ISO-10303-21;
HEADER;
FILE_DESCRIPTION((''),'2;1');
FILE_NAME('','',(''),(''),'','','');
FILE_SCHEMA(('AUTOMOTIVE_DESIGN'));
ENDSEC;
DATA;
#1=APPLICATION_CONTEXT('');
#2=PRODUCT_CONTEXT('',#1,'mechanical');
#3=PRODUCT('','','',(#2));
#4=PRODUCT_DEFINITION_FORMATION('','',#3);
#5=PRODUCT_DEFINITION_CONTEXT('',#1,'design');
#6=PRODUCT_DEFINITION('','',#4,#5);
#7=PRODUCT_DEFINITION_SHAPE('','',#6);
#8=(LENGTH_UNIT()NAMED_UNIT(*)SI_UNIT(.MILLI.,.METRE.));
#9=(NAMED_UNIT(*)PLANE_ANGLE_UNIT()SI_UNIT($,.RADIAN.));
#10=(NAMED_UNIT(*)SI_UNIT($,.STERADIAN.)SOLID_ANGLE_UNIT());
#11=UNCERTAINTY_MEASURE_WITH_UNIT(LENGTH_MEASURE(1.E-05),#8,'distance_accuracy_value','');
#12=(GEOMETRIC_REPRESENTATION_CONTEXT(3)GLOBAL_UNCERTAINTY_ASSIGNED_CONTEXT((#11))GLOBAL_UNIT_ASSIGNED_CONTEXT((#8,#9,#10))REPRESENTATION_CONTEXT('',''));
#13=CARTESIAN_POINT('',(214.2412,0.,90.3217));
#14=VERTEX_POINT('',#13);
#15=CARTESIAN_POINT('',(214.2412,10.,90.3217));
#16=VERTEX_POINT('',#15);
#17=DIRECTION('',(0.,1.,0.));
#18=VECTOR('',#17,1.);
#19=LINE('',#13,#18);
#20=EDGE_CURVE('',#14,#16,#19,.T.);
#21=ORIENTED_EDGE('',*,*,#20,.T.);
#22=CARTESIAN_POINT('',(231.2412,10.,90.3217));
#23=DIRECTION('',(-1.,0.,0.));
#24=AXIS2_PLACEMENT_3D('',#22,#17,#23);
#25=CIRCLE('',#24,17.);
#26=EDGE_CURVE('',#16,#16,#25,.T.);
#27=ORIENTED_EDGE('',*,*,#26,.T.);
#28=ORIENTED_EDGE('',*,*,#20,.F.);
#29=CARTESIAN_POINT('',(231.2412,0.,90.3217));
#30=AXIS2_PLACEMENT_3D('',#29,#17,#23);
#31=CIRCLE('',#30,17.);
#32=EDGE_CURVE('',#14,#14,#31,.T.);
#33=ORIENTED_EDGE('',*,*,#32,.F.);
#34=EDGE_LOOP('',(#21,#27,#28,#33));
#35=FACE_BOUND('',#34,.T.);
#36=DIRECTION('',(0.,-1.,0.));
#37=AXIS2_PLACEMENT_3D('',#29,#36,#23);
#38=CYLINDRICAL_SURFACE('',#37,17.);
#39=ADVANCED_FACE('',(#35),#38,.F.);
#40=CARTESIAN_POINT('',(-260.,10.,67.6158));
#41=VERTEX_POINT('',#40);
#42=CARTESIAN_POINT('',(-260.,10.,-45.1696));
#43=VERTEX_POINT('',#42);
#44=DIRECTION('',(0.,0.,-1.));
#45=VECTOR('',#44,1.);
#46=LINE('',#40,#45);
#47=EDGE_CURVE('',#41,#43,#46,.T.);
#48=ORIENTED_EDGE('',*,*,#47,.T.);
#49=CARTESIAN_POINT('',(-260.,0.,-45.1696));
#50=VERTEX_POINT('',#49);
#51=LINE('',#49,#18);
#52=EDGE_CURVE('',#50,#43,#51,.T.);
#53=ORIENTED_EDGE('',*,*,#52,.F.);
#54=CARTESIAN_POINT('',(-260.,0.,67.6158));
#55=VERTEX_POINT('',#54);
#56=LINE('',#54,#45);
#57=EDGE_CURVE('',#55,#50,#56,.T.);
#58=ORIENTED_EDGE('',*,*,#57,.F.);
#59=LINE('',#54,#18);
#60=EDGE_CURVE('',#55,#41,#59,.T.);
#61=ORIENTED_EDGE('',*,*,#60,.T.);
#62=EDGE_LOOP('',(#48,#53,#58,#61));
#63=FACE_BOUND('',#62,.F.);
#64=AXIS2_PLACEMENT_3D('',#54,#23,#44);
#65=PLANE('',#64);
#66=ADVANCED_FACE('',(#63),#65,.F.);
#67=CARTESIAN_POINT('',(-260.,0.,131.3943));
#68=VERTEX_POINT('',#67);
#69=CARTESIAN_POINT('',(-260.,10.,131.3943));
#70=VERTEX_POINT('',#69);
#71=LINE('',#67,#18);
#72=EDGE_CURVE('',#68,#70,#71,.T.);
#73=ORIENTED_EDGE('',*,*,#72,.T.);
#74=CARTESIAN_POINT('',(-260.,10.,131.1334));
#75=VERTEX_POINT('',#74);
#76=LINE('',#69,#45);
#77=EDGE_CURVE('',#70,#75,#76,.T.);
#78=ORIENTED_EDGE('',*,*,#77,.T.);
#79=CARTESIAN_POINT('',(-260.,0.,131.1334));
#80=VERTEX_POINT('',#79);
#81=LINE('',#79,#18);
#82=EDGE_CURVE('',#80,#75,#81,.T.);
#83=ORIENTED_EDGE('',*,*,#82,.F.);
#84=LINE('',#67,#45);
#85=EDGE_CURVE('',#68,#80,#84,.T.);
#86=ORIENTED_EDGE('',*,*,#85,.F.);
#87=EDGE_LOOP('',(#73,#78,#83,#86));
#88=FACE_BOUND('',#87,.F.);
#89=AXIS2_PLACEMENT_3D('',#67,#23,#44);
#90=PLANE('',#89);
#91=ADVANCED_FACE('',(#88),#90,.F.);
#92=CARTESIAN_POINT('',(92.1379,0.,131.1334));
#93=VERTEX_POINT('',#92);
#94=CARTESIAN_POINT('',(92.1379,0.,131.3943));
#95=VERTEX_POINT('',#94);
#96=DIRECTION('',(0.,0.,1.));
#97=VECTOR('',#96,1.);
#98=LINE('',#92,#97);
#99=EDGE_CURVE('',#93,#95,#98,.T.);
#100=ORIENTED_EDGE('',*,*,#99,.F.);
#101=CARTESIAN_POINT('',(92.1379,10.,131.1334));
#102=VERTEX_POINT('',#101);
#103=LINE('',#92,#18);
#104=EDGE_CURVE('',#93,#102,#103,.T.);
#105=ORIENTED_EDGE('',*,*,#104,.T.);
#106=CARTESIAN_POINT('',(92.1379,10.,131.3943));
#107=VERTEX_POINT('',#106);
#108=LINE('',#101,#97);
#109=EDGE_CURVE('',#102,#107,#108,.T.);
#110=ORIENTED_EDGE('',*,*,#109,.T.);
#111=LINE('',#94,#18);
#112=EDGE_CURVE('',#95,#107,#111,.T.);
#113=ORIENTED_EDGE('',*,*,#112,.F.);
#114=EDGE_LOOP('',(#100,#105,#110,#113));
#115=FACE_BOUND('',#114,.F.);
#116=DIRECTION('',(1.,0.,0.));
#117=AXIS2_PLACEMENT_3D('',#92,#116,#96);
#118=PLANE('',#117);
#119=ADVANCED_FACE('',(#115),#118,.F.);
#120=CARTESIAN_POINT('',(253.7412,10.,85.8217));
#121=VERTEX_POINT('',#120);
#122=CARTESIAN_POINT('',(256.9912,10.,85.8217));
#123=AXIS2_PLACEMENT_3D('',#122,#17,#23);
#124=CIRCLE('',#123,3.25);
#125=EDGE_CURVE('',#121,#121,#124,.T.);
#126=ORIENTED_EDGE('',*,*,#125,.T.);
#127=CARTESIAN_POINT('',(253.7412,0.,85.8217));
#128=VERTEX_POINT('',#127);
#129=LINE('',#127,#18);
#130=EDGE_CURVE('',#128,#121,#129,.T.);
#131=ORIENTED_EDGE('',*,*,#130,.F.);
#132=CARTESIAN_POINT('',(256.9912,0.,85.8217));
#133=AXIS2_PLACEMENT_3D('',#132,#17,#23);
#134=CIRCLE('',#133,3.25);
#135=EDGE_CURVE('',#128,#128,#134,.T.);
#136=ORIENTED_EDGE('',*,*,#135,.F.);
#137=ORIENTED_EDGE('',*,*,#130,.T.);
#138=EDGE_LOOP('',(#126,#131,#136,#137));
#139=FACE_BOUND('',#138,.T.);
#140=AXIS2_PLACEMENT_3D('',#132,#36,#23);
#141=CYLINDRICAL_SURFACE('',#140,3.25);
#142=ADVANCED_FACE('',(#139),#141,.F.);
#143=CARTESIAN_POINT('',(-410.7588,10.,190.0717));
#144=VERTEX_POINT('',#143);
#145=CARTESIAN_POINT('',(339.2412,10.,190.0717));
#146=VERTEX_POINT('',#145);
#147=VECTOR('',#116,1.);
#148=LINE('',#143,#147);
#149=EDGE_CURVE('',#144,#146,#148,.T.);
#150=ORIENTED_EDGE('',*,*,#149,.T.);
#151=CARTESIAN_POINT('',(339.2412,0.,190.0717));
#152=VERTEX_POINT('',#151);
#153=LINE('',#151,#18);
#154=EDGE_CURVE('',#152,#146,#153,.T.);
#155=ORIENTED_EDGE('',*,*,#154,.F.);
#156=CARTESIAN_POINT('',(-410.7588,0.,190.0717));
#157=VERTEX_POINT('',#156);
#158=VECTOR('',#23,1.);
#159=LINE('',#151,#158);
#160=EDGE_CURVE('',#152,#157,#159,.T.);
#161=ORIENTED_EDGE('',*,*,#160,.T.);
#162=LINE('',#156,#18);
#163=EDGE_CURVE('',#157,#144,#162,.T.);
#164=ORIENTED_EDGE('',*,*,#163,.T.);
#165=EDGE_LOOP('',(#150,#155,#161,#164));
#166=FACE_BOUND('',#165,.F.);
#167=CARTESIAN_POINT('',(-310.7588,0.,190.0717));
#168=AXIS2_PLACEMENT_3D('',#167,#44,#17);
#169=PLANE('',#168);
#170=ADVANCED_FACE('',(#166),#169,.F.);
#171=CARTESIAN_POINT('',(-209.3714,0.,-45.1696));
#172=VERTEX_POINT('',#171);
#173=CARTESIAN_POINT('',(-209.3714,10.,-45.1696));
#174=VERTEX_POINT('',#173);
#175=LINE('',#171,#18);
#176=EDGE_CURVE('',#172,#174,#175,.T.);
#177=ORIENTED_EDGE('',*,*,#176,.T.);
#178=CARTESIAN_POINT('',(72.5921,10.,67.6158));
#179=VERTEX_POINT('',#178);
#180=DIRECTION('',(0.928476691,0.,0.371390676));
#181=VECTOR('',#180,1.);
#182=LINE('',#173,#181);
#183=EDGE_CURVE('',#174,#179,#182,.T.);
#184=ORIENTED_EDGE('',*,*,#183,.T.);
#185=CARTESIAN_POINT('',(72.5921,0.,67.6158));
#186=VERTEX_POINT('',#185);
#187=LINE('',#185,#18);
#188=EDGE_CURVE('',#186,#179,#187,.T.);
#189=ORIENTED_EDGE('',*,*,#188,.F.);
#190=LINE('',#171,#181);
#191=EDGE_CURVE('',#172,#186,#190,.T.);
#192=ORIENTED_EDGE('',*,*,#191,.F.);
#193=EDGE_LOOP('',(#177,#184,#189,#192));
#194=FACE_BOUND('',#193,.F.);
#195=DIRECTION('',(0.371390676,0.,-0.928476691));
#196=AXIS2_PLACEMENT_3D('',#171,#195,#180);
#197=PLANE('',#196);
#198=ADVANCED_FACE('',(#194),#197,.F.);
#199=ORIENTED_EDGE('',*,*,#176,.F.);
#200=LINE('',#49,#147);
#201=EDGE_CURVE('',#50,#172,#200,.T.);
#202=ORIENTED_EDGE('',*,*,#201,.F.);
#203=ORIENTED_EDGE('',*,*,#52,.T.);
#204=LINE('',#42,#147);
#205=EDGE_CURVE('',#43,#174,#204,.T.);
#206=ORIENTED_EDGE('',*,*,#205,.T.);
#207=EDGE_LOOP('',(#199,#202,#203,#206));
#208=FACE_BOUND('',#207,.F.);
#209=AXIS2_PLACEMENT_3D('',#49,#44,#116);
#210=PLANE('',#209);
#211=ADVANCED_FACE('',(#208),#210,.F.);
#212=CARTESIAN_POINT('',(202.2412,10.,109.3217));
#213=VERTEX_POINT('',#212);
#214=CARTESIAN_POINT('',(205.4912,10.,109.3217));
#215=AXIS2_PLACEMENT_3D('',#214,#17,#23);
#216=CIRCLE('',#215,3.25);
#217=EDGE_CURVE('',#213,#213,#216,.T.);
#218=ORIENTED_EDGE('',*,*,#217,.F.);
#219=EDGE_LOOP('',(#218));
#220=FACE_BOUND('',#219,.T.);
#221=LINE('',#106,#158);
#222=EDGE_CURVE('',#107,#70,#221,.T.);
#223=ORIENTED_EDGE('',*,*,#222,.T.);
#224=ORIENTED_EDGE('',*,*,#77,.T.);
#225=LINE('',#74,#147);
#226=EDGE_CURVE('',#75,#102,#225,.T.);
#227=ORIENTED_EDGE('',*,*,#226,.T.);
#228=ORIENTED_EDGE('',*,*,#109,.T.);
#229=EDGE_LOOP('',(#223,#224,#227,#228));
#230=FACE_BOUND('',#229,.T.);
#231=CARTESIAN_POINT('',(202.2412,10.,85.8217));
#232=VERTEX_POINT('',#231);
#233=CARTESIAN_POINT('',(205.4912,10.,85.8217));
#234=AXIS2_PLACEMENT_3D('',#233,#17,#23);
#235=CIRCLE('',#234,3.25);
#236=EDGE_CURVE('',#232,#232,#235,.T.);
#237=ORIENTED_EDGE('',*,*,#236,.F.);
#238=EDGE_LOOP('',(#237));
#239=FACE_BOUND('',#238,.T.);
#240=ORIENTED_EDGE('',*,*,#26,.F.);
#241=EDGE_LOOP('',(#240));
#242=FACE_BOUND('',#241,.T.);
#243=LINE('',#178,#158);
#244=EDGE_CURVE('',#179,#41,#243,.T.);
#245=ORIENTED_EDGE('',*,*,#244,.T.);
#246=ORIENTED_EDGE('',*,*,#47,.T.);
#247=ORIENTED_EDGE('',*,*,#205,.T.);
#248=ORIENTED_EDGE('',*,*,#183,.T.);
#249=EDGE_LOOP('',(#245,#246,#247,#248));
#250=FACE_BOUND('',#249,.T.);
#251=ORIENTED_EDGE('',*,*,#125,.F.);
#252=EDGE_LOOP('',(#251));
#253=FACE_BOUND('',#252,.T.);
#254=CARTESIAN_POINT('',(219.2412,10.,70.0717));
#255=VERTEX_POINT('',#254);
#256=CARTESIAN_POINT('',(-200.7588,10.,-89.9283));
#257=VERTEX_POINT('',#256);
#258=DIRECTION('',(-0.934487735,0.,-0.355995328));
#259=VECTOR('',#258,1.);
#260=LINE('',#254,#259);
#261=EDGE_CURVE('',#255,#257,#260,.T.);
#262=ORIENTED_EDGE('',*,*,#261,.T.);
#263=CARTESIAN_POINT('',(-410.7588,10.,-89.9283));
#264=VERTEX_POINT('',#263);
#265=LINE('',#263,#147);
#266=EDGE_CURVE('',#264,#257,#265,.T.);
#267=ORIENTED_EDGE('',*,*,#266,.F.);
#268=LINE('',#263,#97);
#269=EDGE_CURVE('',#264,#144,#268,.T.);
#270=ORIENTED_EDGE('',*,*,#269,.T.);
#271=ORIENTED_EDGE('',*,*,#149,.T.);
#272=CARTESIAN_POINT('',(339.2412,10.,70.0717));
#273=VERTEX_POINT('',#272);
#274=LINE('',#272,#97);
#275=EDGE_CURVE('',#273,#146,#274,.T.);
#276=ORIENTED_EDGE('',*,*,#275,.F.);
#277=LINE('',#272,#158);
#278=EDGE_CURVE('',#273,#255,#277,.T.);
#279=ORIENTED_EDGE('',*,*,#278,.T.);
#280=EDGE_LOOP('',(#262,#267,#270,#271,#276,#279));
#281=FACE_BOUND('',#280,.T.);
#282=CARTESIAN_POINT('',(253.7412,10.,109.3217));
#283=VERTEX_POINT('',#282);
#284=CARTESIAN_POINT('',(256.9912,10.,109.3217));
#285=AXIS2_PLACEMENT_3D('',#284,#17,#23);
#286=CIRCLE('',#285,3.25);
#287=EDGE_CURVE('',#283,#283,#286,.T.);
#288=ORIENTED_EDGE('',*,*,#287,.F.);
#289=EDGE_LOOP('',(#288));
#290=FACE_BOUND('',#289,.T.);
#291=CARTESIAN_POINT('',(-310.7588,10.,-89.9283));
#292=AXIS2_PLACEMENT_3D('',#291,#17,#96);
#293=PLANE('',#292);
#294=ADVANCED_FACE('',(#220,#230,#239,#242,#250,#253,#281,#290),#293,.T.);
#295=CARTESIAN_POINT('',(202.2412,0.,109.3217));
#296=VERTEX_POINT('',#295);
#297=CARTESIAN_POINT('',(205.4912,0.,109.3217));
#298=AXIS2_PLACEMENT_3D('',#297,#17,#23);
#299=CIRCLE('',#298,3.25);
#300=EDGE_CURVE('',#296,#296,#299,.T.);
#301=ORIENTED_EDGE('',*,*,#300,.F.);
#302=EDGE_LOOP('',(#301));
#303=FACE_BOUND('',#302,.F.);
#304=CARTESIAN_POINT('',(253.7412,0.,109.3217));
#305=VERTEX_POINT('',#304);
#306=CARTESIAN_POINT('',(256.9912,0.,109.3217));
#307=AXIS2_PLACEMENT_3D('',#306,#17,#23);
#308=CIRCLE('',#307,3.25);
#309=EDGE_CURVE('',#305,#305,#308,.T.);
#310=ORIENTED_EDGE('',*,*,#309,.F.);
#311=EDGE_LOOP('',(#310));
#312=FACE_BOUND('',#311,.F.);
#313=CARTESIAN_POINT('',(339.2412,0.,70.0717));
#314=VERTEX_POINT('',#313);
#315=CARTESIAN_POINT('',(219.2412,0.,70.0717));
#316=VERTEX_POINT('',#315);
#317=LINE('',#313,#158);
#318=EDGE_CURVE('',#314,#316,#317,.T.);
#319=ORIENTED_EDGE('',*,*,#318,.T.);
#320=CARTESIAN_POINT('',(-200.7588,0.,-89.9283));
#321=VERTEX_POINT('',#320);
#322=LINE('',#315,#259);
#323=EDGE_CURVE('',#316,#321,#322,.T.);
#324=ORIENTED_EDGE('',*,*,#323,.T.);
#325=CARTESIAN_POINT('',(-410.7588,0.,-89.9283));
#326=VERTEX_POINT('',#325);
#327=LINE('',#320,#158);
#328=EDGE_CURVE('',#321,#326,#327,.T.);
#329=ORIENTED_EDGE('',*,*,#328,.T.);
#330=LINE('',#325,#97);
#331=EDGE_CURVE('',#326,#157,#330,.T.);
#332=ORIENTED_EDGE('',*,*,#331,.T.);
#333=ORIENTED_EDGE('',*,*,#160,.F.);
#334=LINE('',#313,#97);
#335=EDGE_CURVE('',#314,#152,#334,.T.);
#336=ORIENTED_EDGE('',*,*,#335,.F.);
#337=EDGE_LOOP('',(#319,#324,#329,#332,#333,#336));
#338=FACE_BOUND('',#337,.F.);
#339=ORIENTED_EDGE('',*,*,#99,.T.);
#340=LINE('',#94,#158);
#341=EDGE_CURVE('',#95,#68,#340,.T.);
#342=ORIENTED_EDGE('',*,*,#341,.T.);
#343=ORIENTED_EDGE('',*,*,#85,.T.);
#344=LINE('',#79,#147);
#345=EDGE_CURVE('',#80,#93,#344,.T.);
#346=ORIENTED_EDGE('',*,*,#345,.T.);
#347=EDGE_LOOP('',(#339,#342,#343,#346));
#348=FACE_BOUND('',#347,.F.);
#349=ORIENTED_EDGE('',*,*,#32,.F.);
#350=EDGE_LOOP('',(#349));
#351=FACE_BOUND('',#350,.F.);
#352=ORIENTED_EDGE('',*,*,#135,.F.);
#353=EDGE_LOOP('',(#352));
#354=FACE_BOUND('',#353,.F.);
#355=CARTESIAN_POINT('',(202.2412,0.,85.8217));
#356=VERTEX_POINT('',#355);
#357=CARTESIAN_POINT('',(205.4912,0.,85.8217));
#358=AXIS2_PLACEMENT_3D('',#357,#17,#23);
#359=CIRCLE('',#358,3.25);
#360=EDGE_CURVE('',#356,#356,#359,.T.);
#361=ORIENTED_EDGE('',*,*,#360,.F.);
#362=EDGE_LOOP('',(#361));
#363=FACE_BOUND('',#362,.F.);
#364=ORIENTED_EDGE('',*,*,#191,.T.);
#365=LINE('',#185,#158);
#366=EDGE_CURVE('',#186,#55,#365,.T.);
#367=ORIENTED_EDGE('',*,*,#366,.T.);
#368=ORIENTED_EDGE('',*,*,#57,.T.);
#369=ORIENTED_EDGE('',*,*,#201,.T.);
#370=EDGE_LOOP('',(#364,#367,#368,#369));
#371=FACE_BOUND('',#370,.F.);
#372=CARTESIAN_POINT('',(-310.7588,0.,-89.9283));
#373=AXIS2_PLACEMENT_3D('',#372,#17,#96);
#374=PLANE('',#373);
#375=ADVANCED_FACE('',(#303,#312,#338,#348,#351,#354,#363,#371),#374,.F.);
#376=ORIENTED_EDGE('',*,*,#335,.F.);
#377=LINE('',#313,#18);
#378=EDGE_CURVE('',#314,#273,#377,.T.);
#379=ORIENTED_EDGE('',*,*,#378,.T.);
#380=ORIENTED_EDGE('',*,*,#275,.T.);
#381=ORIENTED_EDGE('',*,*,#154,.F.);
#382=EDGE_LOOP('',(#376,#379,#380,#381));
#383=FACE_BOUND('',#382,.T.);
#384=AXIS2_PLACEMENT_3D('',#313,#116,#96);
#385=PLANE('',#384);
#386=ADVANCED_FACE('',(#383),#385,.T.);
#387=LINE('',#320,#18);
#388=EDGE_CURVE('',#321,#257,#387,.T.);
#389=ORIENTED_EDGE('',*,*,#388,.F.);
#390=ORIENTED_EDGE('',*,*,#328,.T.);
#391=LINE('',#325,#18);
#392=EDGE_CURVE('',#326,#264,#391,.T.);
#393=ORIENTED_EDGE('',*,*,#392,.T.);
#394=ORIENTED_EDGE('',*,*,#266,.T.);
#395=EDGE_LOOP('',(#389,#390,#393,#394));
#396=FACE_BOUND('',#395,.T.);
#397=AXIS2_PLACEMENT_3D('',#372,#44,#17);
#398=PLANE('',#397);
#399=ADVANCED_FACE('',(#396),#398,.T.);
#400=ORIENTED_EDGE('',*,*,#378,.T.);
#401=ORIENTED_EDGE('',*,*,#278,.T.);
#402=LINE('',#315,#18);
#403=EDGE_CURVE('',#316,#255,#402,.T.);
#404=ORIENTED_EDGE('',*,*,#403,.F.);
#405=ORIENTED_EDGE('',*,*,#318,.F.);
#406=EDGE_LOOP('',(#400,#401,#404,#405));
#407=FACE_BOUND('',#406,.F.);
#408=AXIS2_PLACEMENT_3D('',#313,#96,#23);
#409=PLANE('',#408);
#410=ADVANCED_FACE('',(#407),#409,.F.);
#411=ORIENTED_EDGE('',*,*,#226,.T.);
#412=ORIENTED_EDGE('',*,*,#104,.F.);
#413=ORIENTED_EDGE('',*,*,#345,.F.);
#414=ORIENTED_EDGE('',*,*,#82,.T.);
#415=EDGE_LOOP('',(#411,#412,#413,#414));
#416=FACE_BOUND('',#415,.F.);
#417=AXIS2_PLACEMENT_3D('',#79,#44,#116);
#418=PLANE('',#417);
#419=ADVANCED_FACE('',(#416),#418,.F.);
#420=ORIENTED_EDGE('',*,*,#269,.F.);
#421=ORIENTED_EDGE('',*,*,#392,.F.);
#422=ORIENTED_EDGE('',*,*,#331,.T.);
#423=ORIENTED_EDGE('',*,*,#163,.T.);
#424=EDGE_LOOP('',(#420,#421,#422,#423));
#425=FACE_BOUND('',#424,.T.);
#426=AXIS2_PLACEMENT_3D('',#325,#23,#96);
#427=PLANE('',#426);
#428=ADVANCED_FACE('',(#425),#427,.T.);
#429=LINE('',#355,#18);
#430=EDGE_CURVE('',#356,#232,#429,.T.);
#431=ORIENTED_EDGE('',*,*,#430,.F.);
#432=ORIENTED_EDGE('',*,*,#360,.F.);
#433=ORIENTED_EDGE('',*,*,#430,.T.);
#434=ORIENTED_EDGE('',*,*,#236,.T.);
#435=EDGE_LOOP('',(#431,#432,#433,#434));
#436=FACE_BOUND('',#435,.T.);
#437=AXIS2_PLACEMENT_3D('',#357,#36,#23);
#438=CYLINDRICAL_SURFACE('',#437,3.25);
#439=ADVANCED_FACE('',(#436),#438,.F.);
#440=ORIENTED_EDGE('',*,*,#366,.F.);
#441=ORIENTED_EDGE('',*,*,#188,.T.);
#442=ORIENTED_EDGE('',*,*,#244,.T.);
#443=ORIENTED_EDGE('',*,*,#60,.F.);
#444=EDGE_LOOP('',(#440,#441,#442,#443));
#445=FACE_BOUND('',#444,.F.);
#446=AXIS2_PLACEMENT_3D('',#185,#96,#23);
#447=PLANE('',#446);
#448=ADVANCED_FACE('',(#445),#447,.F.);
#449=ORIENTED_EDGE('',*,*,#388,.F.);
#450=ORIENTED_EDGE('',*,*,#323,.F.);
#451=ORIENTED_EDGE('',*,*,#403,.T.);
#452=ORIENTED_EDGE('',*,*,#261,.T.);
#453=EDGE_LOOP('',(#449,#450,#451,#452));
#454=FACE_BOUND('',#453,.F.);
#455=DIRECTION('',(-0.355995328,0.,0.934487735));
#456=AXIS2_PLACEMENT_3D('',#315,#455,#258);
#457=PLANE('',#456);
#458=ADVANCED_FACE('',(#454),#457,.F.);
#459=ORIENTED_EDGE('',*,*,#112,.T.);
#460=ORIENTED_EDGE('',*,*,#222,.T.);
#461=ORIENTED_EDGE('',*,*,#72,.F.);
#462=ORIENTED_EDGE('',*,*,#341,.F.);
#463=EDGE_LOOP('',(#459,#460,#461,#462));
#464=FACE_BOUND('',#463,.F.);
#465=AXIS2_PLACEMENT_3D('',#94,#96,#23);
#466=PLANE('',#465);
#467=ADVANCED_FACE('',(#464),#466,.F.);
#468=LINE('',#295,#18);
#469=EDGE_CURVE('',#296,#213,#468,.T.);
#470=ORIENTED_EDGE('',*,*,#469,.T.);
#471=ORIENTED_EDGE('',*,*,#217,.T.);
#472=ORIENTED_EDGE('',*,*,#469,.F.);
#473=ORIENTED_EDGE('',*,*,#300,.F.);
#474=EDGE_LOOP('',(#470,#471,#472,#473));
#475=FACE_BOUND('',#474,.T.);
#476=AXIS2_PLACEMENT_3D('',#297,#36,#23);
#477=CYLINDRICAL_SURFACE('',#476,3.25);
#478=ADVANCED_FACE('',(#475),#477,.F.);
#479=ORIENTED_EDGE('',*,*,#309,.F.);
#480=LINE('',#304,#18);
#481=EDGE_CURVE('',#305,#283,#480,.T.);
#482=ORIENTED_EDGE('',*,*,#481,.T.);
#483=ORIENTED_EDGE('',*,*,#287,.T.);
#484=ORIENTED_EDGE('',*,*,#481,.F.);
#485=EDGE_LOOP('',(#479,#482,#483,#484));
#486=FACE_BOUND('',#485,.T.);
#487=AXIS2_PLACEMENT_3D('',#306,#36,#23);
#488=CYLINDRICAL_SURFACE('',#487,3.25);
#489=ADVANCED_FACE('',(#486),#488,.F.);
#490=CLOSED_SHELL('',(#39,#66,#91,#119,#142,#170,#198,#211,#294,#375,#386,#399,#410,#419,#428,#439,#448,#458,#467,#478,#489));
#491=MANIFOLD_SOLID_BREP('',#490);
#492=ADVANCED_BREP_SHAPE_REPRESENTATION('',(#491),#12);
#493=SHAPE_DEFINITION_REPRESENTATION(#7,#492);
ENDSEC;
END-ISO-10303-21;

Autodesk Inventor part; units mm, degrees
ref_plane "YZ Plane" through (0, 0, 0) normal (1, 0, 0) x (0, 1, 0)
ref_plane "XZ Plane" through (0, 0, 0) normal (0, 1, 0) x (-1, 0, 0)
ref_plane "XY Plane" through (0, 0, 0) normal (0, 0, 1) x (1, 0, 0)
sketch "Sketch3" plane through (0, 0, 0) normal (0, 1, 0) x (-1, 0, 0)
  line L0 (-219.2412, 70.0717) -> (200.7588, -89.9283)
  line L1 (205.7588, -63.9283) -> (-110.8967, 62.7339)
  line L2 (200.7588, -89.9283) -> (310.7588, -89.9283)
  line L3 (278.7588, -63.9283) -> (205.7588, -63.9283)
  line L4 (278.7588, 86.3746) -> (278.7588, -63.9283)
  line L5 (310.7588, -89.9283) -> (310.7588, 190.0717)
  line L6 (-110.8967, 86.3746) -> (278.7588, 86.3746)
  line L7 (278.7588, 112.3746) -> (-110.8967, 112.3746)
  line L8 (-110.8967, 150.1531) -> (278.7588, 150.1531)
  line L9 (278.7588, 150.1531) -> (278.7588, 112.3746)
  line L10 (-339.2412, 190.0717) -> (310.7588, 190.0717)
  line L11 (-110.8967, 112.3746) -> (-110.8967, 150.1531)
  line L12 (-339.2412, 70.0717) -> (-219.2412, 70.0717)
  line L13 (-339.2412, 70.0717) -> (-339.2412, 190.0717)
  circle A0 centre (-256.9912, 109.3217) radius 3.25
  circle A1 centre (-256.9912, 85.8217) radius 3.25
  circle A2 centre (-231.2412, 90.3217) radius 17
  circle A3 centre (-205.4912, 85.8217) radius 3.25
  circle A4 centre (-205.4912, 109.3217) radius 3.25
  line L14 (-110.8967, 86.3746) -> (-110.8967, 62.7339)
  line L15 (260, -45.1696) -> (209.3714, -45.1696)
  line L16 (209.3714, -45.1696) -> (-72.5921, 67.6158)
  line L17 (-72.5921, 67.6158) -> (260, 67.6158)
  line L18 (260, 67.6158) -> (260, -45.1696)
  line L19 (260, 131.1334) -> (-92.1379, 131.1334)
  line L20 (-92.1379, 131.1334) -> (-92.1379, 131.3943)
  line L21 (-92.1379, 131.3943) -> (260, 131.3943)
  line L22 (260, 131.3943) -> (260, 131.1334)
  point P0 (0, 0)
extrude "Extrusion2" add sketch "Sketch3" along normal blind 10 contours L12 L13 L10 L5 L2 L0 | L1 L14 L6 L4 L3 | L7 L11 L8 L9
sketch "Sketch4" plane through (-310.7588, 0, -89.9283) normal (-1, 0, 0) x (0, 0, 1)
  line L0 (0, 0) -> (280, 0) projected
  line L1 (280, 0) -> (280, 10) projected
  line L2 (0, 10) -> (280, 10) projected
  line L3 (0, 0) -> (0, 10) projected
  point P0 (89.9283, 0)
extrude "Extrusion3" add sketch "Sketch4" along normal blind 100
properties part number "YFlanPlate" material "Aluminum 6061"
